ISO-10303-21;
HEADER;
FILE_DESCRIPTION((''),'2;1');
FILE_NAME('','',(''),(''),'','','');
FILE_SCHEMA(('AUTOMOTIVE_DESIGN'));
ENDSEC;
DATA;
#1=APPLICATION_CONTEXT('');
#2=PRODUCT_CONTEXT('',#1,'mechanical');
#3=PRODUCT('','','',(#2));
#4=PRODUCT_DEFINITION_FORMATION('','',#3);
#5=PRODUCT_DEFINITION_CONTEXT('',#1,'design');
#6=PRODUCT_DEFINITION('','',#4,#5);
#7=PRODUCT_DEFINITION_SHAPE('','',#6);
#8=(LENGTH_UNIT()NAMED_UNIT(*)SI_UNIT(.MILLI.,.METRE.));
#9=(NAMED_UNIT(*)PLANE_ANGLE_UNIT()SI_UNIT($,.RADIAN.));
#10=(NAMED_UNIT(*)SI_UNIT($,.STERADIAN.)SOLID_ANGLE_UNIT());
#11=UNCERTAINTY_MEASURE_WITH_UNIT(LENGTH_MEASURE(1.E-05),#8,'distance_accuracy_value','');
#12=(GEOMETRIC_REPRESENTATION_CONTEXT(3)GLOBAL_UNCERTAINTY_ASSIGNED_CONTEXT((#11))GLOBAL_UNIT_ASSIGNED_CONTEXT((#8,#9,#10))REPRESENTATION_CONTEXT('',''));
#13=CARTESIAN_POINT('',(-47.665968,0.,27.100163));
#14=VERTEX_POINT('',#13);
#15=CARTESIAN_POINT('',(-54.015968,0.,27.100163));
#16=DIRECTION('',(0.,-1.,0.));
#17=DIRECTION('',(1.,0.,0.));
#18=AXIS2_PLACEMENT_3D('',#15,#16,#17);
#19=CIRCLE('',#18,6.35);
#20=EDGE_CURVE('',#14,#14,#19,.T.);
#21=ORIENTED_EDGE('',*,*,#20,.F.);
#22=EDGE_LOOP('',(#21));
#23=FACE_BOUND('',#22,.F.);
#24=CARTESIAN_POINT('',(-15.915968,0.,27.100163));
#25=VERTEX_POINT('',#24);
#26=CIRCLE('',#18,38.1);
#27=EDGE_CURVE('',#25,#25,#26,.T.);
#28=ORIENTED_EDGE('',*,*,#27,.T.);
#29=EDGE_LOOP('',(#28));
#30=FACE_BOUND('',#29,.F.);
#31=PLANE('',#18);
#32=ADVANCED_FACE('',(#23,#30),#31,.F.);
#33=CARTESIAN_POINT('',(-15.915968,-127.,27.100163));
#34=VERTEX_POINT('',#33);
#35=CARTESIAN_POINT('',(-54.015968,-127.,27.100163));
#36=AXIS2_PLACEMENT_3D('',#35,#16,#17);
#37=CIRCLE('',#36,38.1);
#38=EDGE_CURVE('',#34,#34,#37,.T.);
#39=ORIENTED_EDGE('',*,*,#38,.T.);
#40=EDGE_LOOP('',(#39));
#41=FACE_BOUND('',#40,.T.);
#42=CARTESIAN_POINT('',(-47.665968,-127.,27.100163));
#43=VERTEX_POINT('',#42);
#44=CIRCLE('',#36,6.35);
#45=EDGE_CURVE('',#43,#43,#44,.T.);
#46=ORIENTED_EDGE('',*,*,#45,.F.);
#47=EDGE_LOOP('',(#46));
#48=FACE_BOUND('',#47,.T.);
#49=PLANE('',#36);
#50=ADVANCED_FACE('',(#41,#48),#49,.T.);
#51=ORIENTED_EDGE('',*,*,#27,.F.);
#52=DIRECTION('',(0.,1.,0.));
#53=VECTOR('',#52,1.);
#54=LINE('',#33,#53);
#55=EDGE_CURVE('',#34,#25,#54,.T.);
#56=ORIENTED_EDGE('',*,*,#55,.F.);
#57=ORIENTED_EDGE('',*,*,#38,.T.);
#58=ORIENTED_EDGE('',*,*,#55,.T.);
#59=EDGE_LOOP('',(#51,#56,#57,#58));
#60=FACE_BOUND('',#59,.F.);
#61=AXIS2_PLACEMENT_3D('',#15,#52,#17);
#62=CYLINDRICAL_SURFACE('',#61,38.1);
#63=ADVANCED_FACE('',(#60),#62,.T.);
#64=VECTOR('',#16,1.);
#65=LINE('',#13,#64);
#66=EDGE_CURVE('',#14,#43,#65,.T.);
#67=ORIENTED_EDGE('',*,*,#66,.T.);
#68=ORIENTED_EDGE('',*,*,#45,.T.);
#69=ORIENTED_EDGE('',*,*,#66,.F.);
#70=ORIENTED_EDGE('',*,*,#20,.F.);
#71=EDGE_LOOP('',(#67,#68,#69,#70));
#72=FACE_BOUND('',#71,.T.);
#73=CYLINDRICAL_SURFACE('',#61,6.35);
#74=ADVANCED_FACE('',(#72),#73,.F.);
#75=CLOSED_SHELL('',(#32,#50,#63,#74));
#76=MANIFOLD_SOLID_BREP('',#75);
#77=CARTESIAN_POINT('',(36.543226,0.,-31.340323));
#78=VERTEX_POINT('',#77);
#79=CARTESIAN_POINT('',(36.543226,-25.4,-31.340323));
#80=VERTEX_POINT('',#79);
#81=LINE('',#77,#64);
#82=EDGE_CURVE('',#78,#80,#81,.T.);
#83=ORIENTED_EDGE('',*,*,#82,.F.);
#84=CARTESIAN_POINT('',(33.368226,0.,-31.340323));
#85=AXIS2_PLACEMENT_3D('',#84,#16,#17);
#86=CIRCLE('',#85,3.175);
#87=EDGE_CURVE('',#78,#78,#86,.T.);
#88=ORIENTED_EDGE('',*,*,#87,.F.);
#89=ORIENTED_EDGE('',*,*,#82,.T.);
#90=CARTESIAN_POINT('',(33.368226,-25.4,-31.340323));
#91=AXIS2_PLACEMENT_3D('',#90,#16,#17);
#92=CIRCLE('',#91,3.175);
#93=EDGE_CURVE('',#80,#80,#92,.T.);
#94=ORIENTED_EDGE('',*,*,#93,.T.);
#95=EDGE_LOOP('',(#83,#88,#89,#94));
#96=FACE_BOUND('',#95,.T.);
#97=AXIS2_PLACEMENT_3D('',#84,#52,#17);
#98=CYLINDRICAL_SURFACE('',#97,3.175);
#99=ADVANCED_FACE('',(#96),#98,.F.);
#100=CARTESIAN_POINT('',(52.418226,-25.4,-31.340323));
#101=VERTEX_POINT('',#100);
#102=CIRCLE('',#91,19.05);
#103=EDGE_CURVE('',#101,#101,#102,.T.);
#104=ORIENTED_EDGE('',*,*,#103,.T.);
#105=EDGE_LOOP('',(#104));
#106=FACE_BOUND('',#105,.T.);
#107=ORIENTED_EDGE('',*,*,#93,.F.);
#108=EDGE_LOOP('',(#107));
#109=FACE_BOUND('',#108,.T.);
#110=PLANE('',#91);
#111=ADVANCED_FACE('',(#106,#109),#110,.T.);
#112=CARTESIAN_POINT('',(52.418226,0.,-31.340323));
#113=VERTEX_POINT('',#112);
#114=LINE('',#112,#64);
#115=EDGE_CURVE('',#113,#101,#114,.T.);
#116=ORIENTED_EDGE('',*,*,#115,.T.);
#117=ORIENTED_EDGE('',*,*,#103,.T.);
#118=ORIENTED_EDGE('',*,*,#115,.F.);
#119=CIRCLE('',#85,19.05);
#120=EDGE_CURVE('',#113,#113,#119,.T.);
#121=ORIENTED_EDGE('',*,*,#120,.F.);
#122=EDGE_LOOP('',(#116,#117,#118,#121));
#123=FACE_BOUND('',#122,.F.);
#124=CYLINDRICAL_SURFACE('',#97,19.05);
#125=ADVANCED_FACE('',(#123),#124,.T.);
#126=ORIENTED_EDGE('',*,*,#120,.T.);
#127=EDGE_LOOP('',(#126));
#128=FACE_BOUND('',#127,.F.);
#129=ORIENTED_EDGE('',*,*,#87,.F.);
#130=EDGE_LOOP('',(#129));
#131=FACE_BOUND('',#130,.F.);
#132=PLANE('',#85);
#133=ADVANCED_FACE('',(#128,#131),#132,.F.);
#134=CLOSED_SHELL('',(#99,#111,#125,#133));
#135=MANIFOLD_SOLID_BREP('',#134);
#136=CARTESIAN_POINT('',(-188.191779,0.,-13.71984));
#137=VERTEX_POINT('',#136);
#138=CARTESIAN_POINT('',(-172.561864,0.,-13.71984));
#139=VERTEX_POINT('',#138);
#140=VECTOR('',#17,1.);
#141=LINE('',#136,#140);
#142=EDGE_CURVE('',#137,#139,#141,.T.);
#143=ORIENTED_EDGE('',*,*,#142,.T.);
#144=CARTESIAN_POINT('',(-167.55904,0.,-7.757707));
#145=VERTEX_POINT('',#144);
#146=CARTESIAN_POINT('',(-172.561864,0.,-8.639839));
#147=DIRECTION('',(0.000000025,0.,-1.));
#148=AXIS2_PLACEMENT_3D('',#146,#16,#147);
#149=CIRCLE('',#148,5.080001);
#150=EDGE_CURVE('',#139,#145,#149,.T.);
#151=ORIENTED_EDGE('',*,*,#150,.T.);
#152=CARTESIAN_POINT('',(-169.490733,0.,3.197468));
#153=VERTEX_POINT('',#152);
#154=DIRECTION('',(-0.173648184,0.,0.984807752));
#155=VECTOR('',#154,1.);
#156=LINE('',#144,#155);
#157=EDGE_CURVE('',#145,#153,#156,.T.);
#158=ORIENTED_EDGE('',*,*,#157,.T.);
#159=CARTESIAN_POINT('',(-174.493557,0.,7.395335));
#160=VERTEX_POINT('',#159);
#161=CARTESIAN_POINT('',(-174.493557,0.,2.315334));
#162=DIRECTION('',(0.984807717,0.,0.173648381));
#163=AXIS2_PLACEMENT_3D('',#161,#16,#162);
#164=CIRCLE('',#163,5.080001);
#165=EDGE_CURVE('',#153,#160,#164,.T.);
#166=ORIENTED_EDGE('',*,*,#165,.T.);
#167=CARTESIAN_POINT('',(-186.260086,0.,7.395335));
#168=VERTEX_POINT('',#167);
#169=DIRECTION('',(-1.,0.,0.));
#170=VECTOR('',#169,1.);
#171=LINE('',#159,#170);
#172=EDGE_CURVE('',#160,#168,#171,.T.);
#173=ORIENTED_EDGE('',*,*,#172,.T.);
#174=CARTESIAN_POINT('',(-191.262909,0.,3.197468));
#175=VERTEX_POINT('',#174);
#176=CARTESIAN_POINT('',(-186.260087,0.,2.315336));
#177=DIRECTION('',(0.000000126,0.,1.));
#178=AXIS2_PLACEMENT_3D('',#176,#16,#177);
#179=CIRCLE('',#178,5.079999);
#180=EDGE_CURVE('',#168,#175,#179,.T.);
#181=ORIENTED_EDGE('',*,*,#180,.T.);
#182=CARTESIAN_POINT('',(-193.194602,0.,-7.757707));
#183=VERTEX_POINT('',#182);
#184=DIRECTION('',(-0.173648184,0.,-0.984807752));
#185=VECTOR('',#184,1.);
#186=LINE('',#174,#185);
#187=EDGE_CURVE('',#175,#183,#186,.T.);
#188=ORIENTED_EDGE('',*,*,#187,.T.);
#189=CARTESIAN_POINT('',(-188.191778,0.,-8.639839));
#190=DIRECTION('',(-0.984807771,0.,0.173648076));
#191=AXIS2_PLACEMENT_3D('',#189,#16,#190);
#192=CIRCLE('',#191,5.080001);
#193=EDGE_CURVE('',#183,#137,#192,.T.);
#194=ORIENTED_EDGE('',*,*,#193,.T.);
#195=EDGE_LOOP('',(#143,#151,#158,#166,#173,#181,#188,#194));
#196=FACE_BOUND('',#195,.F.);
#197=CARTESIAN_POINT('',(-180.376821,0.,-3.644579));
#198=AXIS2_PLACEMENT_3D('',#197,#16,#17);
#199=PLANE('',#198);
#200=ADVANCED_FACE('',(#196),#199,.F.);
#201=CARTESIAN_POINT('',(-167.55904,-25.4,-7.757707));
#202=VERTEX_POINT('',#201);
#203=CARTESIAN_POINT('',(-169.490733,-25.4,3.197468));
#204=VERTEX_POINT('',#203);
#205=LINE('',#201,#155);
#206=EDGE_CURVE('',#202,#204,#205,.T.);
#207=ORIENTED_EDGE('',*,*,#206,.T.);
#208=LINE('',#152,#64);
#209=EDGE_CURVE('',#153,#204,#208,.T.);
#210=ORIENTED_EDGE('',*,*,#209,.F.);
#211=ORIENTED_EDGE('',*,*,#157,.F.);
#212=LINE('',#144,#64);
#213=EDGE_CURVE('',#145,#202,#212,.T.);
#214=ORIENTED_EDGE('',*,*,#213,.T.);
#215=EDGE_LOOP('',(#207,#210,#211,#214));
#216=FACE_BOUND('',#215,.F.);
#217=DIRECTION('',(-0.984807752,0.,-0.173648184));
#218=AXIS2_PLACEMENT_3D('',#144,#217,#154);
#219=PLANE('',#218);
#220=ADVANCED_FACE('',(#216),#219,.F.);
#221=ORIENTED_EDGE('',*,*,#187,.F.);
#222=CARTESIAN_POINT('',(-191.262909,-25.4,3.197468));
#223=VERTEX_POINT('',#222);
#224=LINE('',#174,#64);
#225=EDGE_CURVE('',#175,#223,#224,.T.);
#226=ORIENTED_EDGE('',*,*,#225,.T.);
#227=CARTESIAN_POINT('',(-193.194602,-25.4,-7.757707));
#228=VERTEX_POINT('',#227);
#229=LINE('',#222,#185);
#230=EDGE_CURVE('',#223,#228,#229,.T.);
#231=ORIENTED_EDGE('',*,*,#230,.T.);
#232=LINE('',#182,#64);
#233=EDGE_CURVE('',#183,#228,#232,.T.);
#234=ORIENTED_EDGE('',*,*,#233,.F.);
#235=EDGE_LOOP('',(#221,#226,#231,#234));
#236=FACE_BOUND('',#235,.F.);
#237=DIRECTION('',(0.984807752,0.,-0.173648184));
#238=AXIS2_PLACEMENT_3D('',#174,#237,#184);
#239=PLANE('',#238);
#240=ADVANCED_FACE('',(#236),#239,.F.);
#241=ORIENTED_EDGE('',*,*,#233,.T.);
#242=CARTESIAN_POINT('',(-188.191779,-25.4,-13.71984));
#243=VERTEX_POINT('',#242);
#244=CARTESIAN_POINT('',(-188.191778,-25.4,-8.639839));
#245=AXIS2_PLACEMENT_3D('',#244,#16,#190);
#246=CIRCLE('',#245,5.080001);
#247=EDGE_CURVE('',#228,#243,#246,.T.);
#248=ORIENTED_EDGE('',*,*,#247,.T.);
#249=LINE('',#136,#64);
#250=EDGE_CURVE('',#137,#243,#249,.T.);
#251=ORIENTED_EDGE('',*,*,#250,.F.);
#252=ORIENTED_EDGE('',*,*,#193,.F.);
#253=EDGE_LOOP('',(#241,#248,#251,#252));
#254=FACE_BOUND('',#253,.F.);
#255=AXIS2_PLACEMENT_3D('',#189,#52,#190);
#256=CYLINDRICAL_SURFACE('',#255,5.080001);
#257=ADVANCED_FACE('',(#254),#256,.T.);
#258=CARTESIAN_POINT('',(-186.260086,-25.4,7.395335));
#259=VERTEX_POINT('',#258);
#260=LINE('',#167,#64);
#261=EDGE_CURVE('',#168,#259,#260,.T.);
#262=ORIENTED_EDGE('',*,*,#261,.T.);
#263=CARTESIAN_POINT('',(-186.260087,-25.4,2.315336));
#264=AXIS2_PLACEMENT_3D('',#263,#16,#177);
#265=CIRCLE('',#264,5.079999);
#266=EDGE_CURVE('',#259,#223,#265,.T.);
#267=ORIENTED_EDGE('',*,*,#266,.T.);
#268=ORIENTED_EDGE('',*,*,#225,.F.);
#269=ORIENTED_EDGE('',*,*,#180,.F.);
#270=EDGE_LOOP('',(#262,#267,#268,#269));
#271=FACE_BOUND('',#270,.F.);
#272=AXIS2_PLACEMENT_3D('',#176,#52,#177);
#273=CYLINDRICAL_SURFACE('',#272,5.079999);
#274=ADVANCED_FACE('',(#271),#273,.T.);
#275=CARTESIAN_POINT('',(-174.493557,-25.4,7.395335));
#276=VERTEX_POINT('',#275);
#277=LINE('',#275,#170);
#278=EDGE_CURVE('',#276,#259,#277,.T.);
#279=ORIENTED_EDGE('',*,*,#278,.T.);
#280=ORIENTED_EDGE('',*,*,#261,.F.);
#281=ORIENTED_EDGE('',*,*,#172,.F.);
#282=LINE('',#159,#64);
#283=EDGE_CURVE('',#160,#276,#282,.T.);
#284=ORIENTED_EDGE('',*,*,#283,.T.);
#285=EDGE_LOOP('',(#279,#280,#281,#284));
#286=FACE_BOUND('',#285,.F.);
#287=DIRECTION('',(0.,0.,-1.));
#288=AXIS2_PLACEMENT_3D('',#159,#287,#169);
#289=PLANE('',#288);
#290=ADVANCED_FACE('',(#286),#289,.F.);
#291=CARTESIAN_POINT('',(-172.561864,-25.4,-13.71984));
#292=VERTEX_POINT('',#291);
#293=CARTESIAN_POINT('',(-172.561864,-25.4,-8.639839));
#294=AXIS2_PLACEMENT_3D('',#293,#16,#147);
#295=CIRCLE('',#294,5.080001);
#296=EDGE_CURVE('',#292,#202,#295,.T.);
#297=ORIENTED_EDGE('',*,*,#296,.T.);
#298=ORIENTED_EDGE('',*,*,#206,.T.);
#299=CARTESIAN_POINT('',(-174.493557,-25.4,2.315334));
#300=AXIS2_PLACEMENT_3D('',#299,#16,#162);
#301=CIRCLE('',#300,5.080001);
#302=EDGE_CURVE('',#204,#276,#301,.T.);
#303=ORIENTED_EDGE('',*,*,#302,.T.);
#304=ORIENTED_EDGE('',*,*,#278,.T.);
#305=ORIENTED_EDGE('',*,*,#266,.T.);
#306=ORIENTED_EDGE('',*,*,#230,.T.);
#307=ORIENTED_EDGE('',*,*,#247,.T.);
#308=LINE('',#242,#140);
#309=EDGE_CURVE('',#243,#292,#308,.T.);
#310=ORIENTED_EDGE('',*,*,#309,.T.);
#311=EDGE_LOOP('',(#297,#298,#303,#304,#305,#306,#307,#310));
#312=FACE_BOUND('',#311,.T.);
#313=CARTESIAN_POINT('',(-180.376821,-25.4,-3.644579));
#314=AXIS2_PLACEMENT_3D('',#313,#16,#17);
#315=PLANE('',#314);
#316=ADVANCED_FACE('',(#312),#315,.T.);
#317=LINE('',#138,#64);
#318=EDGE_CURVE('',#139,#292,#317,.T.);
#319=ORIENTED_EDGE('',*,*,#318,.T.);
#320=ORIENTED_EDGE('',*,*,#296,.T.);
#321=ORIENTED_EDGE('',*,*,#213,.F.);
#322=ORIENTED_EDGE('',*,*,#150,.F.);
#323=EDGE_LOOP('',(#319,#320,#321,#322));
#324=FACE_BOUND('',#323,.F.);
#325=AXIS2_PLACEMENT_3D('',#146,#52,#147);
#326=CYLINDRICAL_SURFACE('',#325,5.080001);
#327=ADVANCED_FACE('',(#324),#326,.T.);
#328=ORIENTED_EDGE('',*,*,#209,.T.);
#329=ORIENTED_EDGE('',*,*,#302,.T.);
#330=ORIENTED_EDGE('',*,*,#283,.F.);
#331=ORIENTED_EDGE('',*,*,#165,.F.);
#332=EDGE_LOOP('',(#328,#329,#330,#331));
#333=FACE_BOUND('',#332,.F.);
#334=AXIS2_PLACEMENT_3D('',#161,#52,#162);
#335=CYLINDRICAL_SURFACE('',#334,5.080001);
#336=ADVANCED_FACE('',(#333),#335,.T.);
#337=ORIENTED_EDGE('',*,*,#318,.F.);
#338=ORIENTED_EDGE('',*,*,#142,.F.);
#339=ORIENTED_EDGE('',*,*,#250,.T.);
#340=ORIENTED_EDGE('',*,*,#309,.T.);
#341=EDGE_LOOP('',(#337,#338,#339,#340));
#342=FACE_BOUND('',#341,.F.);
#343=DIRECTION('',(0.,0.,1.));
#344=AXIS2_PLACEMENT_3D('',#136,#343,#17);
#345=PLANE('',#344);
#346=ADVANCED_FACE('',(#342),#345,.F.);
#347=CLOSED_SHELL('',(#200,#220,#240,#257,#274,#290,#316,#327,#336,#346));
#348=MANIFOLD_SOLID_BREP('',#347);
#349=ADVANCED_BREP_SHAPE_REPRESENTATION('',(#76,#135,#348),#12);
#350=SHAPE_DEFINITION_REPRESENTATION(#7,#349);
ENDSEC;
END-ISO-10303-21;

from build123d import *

# Parameters (mm, degrees)
F0_R     = 38.1
F0_R_2   = 6.35
F1_DEPTH = 127
F2_DEPTH = 12.7
F3_R     = 19.05
F3_R_2   = 3.175
F4_DEPTH = 25.4


with BuildPart() as f1:
    # F0 (on Front) → F1 (new body)
    with BuildSketch(Plane.XZ):
        with Locations((-54.015968, 27.100163)):
            Circle(F0_R)
        with Locations((-54.015968, 27.100163)):
            Circle(F0_R_2, mode=Mode.SUBTRACT)
    extrude(amount=F1_DEPTH)

    # F0 (on Front) → F2 (join)
    with BuildSketch(Plane.XZ):
        with Locations((-54.015968, 27.100163)):
            Circle(F0_R)
        with Locations((-54.015968, 27.100163)):
            Circle(F0_R_2, mode=Mode.SUBTRACT)
    extrude(amount=F2_DEPTH)


with BuildPart() as f4:
    # F3 (on Front) → F4 (new body)
    with BuildSketch(Plane.XZ):
        with Locations((33.368226, -31.340323)):
            Circle(F3_R)
        with Locations((33.368226, -31.340323)):
            Circle(F3_R_2, mode=Mode.SUBTRACT)
        with BuildLine():
            Line((-174.493557, 7.395335), (-186.260086, 7.395335))
            ThreePointArc((-186.260086, 7.395335), (-189.525447, 6.206841), (-191.262909, 3.197468))
            Line((-191.262909, 3.197468), (-193.194602, -7.757707))
            ThreePointArc((-193.194602, -7.757707), (-192.083284, -11.905201), (-188.191779, -13.71984))
            Line((-188.191779, -13.71984), (-172.561864, -13.71984))
            ThreePointArc((-172.561864, -13.71984), (-168.670358, -11.905201), (-167.55904, -7.757707))
            Line((-167.55904, -7.757707), (-169.490733, 3.197468))
            ThreePointArc((-169.490733, 3.197468), (-171.228196, 6.206841), (-174.493557, 7.395335))
        make_face()
    extrude(amount=F4_DEPTH)


solid = Compound([f1.part, f4.part])
